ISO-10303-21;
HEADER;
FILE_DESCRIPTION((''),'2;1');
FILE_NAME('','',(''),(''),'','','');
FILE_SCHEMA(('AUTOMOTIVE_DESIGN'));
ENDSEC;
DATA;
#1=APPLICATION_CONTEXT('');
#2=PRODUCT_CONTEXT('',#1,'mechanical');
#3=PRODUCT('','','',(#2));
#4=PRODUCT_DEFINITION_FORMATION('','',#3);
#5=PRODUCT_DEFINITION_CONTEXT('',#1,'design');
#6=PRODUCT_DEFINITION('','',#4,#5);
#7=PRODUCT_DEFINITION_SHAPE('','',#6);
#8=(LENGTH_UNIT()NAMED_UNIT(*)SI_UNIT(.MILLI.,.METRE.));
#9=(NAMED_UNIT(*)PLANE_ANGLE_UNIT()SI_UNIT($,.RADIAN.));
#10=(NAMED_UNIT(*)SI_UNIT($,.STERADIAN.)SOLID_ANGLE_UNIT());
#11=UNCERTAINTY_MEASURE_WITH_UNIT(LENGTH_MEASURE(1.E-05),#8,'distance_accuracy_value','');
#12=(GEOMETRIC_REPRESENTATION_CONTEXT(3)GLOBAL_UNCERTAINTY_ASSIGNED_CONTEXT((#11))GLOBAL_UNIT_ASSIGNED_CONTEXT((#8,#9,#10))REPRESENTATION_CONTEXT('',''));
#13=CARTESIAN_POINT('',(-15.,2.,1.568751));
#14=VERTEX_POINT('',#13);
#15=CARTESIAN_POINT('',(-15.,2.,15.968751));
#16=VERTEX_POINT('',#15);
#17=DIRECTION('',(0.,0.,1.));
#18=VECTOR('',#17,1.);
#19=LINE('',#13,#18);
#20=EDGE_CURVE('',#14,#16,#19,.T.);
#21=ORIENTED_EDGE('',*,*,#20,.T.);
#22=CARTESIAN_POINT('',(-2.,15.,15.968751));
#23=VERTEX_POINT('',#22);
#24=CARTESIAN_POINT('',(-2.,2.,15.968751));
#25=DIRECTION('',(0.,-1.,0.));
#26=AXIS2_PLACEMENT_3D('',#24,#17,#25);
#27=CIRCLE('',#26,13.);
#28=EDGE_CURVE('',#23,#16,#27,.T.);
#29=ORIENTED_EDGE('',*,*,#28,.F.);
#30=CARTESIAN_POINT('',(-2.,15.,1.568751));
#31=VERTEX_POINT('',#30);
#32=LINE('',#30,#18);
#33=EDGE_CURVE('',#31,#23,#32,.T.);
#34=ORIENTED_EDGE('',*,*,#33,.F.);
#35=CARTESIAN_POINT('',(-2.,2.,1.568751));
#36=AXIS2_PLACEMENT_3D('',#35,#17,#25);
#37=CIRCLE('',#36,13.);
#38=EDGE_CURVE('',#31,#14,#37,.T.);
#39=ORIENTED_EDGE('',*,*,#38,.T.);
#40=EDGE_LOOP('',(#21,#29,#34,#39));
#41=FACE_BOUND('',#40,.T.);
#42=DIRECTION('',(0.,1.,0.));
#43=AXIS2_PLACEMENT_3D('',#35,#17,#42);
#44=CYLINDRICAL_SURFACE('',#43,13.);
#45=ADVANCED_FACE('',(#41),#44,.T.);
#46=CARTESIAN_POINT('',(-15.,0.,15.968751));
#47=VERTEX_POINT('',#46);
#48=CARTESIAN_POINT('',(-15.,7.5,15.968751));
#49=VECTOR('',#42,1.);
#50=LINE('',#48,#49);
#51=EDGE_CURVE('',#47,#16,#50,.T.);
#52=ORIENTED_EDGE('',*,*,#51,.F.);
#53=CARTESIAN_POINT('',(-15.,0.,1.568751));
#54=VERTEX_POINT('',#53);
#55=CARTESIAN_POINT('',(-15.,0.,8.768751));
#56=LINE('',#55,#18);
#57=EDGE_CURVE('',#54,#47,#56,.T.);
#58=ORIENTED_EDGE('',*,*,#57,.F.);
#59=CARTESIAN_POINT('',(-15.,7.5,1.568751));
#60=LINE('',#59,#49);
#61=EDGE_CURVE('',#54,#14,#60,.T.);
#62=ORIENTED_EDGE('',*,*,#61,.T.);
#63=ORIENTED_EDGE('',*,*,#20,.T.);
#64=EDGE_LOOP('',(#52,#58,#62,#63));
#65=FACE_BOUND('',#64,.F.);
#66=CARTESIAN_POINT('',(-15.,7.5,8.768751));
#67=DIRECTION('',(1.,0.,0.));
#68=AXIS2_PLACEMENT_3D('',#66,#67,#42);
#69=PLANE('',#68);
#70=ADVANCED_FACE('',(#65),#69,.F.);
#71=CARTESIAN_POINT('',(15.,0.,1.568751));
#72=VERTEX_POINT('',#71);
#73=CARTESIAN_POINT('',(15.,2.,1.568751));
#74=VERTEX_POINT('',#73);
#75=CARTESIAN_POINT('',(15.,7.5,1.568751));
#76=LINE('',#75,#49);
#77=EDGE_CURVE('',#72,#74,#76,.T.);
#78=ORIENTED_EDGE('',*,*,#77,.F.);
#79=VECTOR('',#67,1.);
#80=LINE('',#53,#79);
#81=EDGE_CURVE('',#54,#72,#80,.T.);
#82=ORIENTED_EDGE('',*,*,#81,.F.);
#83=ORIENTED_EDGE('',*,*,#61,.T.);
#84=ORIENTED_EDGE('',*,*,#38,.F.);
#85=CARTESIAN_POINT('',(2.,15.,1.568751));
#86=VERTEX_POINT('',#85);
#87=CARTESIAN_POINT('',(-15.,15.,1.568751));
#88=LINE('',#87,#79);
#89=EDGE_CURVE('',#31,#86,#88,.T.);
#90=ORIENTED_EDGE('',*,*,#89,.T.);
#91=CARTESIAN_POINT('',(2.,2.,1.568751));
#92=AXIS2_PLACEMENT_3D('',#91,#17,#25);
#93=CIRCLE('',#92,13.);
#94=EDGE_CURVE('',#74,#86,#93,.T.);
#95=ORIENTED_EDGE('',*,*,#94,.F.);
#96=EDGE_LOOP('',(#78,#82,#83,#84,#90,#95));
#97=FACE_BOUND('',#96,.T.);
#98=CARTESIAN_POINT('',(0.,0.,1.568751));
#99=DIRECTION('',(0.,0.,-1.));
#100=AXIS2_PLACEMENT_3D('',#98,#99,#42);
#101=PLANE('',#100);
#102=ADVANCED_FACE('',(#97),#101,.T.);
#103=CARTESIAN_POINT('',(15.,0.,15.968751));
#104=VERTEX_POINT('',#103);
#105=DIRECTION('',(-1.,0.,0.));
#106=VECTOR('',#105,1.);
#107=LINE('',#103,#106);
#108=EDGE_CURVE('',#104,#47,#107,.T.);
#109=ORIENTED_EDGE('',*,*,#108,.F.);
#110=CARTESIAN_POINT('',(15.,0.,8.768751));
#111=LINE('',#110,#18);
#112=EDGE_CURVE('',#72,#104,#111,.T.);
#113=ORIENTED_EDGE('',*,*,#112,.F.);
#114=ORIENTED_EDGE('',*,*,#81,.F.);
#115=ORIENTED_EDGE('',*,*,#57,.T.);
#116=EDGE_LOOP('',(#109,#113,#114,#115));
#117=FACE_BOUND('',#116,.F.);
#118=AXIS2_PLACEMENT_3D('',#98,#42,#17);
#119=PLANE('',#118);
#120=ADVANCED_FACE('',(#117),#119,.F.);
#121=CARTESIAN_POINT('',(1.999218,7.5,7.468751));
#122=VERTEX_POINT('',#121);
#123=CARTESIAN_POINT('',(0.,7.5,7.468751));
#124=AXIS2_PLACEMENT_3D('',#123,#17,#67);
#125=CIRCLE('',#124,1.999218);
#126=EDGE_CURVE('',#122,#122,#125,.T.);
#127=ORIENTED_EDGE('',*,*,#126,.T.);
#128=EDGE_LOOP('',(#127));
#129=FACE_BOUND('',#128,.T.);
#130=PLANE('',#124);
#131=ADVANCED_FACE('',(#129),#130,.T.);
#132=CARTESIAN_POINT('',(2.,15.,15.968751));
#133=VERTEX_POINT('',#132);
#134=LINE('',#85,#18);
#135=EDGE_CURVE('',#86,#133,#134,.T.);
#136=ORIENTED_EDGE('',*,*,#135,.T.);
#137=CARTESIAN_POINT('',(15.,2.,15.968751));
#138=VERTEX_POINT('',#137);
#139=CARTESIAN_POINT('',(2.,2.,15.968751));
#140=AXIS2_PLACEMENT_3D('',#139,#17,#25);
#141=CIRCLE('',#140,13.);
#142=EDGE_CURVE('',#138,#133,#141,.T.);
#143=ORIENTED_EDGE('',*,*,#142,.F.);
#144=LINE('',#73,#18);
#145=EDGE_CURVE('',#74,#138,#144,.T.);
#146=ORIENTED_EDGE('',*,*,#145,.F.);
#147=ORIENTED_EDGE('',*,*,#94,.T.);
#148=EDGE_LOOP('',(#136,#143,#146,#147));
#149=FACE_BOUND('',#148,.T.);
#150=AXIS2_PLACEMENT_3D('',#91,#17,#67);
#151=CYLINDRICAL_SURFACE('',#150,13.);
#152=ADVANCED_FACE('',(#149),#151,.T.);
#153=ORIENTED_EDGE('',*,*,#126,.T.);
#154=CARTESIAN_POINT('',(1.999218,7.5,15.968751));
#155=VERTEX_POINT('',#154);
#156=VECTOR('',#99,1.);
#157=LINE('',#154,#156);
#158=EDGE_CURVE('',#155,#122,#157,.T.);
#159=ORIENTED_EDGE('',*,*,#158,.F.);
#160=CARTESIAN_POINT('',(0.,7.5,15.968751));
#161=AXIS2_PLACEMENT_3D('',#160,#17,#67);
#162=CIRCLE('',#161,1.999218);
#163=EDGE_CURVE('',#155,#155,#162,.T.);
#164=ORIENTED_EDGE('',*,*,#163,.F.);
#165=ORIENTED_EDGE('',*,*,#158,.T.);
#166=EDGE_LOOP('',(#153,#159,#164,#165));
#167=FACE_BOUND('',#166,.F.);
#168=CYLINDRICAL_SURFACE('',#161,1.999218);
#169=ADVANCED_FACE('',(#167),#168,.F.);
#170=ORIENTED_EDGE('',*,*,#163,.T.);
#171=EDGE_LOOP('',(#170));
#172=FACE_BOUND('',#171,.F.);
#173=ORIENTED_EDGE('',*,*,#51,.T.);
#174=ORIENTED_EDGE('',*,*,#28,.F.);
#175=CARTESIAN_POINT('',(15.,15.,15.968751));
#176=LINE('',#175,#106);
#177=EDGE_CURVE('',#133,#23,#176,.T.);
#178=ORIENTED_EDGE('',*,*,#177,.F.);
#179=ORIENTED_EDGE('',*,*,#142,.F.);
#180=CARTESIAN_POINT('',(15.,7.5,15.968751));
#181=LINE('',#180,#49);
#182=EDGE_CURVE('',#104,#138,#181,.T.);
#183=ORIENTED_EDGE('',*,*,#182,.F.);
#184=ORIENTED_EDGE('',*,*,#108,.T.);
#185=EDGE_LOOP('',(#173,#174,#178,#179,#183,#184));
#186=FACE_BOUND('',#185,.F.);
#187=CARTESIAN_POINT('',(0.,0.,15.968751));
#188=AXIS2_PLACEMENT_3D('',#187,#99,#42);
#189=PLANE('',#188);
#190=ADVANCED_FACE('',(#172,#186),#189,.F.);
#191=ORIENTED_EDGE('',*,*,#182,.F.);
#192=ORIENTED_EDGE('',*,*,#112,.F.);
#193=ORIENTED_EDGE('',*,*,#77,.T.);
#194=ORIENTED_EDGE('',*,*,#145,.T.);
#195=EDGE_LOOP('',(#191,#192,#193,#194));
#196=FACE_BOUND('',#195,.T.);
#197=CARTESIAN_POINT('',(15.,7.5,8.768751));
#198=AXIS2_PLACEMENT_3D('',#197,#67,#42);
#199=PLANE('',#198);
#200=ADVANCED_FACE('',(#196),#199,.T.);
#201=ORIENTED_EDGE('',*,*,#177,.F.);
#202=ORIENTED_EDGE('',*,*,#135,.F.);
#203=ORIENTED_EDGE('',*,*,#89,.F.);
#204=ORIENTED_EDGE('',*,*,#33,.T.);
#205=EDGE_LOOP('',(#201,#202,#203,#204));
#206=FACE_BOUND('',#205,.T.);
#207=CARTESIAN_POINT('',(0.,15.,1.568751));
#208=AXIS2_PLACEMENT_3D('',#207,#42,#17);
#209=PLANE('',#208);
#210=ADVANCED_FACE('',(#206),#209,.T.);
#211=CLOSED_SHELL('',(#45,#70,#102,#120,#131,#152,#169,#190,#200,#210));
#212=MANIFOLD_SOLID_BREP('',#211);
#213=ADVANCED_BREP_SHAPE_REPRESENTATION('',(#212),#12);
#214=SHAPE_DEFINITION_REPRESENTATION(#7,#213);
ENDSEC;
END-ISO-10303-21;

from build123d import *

# Parameters (mm, degrees)
F0_W     = 15
F0_H     = 14.4
F1_DEPTH = 15
F2_R     = 13
F3_R     = 1.999218
F4_DEPTH = 8.5


with BuildPart() as f1:
    # F0 (on Right) → F1 (new body, symmetric)
    with BuildSketch(Plane.YZ):
        with Locations((7.5, 8.768751)):
            Rectangle(F0_W, F0_H)
    extrude(amount=F1_DEPTH, both=True)

    # F2
    f2_edges = [f1.edges().sort_by_distance(p)[0] for p in [
        (-15, 15, 8.768751),
        (15, 15, 8.768751),
    ]]
    fillet(f2_edges, radius=F2_R)

    # F3 (on face) → F4 (cut)
    with BuildSketch(Plane.XY.offset(15.968751)):
        with Locations((0, 7.5)):
            Circle(F3_R)
    extrude(amount=-F4_DEPTH, mode=Mode.SUBTRACT)


solid = f1.part
